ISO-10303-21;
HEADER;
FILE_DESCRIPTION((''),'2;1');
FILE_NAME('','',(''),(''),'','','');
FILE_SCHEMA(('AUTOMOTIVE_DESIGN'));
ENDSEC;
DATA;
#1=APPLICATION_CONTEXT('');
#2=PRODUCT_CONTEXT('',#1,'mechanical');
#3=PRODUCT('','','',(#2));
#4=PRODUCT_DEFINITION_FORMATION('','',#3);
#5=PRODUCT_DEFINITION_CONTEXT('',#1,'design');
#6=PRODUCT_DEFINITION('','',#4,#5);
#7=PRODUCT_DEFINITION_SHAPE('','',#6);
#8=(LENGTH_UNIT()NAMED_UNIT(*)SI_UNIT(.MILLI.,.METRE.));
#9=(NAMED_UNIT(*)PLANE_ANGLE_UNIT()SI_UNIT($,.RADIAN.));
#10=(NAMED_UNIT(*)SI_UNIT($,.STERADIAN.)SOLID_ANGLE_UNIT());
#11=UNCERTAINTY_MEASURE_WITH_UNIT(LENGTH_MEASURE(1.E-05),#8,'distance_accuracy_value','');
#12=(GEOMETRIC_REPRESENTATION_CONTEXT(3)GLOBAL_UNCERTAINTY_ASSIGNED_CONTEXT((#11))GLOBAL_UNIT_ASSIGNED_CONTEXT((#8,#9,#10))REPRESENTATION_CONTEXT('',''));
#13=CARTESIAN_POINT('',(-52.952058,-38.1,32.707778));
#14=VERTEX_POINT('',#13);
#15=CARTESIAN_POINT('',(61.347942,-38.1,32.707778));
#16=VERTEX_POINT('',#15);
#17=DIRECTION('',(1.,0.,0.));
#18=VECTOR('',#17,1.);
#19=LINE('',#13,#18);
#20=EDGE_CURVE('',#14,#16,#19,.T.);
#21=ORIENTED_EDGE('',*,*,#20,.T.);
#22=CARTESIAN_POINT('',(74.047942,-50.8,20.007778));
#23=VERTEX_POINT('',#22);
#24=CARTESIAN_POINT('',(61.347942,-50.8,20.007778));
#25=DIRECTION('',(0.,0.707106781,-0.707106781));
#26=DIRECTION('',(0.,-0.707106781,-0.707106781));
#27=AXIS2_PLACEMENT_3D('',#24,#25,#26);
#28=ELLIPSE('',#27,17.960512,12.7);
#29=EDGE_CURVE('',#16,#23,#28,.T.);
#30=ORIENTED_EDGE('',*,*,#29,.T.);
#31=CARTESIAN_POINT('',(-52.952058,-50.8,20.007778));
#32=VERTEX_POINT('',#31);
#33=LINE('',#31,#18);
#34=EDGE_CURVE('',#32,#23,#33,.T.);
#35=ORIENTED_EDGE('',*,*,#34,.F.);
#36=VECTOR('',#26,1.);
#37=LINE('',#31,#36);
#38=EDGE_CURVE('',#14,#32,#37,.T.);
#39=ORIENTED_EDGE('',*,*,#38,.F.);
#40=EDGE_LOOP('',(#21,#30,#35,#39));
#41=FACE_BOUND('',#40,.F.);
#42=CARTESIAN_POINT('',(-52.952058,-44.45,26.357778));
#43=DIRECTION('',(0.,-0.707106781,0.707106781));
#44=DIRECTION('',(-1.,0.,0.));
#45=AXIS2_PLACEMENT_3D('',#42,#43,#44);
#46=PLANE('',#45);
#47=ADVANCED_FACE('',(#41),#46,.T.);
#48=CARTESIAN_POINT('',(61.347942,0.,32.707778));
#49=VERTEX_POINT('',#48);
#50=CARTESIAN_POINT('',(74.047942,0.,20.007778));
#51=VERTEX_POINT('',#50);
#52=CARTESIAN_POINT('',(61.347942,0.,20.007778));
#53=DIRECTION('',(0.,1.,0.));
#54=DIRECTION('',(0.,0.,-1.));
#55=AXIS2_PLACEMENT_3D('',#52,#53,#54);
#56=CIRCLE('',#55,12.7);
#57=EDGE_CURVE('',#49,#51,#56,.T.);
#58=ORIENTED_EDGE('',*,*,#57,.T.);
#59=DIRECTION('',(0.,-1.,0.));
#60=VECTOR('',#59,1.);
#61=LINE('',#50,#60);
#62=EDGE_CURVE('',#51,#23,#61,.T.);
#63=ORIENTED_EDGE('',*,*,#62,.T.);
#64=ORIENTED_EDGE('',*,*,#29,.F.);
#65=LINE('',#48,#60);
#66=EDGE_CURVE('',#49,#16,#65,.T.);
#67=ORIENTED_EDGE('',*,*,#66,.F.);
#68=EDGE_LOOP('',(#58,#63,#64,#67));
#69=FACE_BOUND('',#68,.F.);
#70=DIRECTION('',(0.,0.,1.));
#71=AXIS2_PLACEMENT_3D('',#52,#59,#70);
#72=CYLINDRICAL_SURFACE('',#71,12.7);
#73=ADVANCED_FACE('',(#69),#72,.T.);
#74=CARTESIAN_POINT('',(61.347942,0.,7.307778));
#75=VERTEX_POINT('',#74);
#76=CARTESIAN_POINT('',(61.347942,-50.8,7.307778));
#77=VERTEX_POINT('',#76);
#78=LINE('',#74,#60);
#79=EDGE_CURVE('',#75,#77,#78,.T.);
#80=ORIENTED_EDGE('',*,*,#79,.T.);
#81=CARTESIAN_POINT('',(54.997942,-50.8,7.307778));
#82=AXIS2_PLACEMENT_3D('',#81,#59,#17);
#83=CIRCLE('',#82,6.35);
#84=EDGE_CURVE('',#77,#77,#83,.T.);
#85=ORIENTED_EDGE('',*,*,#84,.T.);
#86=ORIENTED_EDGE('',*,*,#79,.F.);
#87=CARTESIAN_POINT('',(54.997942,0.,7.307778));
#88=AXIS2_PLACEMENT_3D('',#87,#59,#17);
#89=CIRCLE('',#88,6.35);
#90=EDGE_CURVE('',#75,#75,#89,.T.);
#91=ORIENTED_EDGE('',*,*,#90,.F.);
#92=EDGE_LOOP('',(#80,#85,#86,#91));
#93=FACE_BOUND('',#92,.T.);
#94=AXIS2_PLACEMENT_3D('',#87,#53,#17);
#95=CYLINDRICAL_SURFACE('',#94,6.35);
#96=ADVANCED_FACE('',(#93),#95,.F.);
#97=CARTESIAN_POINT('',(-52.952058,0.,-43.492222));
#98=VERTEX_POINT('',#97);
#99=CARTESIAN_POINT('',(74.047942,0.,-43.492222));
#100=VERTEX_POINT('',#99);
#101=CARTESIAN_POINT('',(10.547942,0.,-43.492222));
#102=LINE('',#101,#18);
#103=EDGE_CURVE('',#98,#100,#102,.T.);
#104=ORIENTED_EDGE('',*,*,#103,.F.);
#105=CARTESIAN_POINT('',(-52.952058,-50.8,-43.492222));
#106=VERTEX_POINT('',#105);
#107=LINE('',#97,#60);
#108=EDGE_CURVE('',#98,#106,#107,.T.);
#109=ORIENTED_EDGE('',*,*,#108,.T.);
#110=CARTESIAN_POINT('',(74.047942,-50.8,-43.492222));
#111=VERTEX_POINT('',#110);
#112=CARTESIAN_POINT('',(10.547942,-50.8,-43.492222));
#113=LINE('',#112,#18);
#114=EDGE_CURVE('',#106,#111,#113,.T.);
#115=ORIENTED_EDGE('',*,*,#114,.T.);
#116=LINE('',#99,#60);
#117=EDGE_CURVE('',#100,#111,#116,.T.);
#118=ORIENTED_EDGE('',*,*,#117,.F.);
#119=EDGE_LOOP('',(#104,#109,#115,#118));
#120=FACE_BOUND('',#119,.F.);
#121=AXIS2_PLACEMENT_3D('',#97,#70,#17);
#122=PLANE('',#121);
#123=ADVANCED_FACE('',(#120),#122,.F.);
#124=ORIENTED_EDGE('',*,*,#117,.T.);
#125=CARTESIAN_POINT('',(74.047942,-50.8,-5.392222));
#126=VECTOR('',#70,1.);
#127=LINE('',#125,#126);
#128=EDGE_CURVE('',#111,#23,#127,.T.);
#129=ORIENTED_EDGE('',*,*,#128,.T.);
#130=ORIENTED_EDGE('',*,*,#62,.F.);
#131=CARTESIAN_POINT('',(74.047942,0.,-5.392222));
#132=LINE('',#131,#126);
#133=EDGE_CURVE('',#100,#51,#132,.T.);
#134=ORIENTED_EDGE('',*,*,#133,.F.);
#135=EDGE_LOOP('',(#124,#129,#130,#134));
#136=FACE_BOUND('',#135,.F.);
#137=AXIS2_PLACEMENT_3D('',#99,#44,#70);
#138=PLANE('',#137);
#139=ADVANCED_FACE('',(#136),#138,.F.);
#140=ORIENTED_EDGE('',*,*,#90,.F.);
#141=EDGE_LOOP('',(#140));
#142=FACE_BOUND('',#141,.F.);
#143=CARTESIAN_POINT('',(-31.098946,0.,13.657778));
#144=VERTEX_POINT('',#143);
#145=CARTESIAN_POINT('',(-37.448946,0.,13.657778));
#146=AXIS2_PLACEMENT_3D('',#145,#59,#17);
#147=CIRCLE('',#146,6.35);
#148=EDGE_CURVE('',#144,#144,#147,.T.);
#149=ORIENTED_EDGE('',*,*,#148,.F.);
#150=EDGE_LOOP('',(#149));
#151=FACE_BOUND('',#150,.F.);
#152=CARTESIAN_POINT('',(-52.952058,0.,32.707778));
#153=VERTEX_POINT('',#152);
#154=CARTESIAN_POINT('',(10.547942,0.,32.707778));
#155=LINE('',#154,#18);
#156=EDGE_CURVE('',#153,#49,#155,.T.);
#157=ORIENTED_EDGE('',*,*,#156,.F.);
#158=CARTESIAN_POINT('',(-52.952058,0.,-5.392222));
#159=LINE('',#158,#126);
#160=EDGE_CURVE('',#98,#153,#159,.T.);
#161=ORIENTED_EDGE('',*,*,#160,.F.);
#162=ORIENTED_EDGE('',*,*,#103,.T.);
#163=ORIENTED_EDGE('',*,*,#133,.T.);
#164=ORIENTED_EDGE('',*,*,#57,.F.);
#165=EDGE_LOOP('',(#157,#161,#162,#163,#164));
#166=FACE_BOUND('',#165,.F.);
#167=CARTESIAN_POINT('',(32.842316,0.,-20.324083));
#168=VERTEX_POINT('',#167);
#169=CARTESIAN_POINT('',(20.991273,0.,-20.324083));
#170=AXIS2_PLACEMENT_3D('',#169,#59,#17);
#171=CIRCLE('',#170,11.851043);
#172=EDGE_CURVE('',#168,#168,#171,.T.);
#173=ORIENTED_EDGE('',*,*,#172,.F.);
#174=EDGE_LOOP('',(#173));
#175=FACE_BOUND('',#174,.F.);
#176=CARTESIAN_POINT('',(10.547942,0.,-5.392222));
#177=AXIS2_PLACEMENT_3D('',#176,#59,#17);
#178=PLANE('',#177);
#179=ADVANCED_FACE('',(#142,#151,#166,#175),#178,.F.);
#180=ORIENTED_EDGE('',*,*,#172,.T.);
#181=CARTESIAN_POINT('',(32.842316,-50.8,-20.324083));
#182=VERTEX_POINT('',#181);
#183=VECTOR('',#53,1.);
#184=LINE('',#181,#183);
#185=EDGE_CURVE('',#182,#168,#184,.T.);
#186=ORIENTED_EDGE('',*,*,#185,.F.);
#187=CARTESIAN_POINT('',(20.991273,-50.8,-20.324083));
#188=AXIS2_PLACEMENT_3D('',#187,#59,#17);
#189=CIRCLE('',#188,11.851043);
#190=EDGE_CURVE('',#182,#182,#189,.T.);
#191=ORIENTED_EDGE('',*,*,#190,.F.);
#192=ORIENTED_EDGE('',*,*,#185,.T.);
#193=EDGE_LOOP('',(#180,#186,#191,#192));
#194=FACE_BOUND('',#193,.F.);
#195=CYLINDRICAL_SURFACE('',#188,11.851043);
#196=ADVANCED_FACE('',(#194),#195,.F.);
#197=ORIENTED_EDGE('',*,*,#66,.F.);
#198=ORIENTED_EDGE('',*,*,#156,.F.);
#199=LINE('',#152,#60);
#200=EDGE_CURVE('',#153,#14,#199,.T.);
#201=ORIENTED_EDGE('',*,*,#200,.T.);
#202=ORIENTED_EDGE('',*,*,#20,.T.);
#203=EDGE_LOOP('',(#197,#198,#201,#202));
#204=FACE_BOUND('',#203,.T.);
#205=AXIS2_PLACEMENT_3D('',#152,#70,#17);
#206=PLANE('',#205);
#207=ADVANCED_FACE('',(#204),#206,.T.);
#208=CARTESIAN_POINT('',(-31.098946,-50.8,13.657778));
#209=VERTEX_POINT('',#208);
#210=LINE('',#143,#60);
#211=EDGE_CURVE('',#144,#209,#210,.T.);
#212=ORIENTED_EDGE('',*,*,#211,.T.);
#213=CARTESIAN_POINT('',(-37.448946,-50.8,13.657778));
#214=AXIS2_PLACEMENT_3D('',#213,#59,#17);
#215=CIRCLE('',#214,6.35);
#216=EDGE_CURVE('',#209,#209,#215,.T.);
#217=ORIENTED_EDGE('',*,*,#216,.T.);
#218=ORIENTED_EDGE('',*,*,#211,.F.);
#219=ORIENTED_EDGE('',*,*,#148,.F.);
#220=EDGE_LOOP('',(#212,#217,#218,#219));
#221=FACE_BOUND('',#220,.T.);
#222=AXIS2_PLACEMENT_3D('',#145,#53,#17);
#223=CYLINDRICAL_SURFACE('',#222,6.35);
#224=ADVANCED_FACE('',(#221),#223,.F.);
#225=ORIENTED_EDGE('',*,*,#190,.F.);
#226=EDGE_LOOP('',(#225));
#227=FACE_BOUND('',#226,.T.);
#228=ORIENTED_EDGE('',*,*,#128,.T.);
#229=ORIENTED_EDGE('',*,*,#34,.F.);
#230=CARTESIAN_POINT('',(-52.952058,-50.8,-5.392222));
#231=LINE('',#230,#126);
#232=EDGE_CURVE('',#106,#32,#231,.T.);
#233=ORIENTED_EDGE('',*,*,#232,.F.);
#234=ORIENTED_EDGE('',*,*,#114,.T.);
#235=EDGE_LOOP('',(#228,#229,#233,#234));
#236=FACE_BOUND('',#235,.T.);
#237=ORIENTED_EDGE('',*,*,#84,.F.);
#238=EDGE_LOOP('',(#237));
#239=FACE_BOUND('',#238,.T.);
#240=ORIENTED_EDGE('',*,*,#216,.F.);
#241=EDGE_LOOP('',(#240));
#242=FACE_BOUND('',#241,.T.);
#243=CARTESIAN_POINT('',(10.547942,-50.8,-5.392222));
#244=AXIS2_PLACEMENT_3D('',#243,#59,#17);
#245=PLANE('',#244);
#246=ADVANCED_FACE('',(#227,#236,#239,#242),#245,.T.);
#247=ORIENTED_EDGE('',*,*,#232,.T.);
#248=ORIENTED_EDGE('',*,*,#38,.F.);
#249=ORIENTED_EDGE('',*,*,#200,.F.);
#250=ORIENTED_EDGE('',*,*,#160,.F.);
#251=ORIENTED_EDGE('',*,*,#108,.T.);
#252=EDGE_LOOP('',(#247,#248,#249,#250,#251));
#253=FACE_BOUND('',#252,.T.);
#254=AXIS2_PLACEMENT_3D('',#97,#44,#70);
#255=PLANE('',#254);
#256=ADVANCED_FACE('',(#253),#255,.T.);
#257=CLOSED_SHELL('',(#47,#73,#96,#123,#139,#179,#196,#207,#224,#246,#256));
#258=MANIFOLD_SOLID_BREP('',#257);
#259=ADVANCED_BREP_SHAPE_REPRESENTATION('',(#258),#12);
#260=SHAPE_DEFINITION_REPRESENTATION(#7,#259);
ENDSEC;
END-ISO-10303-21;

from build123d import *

# Parameters (mm, degrees)
F0_W     = 127
F0_H     = 76.2
F0_R     = 6.35
F1_DEPTH = 50.8
F2_R     = 11.851043
F3_DEPTH = 71.628
F4_SIZE  = 12.7
F5_R     = 12.7


with BuildPart() as f1:
    # F0 (on Front) → F1 (new body)
    with BuildSketch(Plane.XZ):
        with Locations((10.547942, -5.392222)):
            Rectangle(F0_W, F0_H)
        with Locations((-37.448946, 13.657778)):
            Circle(F0_R, mode=Mode.SUBTRACT)
        with Locations((54.997942, 7.307778)):
            Circle(F0_R, mode=Mode.SUBTRACT)
    extrude(amount=F1_DEPTH)

    # F2 (on face) → F3 (cut)
    with BuildSketch(Plane.XZ.offset(50.8)):
        with Locations((20.991273, -20.324083)):
            Circle(F2_R)
    extrude(amount=-F3_DEPTH, mode=Mode.SUBTRACT)

    # F4
    f4_edges = [f1.edges().sort_by_distance(p)[0] for p in [
        (10.547942, -50.8, 32.707778),
    ]]
    chamfer(f4_edges, length=F4_SIZE)

    # F5
    f5_edges = [f1.edges().sort_by_distance(p)[0] for p in [
        (74.047942, -19.05, 32.707778),
    ]]
    fillet(f5_edges, radius=F5_R)


solid = f1.part
